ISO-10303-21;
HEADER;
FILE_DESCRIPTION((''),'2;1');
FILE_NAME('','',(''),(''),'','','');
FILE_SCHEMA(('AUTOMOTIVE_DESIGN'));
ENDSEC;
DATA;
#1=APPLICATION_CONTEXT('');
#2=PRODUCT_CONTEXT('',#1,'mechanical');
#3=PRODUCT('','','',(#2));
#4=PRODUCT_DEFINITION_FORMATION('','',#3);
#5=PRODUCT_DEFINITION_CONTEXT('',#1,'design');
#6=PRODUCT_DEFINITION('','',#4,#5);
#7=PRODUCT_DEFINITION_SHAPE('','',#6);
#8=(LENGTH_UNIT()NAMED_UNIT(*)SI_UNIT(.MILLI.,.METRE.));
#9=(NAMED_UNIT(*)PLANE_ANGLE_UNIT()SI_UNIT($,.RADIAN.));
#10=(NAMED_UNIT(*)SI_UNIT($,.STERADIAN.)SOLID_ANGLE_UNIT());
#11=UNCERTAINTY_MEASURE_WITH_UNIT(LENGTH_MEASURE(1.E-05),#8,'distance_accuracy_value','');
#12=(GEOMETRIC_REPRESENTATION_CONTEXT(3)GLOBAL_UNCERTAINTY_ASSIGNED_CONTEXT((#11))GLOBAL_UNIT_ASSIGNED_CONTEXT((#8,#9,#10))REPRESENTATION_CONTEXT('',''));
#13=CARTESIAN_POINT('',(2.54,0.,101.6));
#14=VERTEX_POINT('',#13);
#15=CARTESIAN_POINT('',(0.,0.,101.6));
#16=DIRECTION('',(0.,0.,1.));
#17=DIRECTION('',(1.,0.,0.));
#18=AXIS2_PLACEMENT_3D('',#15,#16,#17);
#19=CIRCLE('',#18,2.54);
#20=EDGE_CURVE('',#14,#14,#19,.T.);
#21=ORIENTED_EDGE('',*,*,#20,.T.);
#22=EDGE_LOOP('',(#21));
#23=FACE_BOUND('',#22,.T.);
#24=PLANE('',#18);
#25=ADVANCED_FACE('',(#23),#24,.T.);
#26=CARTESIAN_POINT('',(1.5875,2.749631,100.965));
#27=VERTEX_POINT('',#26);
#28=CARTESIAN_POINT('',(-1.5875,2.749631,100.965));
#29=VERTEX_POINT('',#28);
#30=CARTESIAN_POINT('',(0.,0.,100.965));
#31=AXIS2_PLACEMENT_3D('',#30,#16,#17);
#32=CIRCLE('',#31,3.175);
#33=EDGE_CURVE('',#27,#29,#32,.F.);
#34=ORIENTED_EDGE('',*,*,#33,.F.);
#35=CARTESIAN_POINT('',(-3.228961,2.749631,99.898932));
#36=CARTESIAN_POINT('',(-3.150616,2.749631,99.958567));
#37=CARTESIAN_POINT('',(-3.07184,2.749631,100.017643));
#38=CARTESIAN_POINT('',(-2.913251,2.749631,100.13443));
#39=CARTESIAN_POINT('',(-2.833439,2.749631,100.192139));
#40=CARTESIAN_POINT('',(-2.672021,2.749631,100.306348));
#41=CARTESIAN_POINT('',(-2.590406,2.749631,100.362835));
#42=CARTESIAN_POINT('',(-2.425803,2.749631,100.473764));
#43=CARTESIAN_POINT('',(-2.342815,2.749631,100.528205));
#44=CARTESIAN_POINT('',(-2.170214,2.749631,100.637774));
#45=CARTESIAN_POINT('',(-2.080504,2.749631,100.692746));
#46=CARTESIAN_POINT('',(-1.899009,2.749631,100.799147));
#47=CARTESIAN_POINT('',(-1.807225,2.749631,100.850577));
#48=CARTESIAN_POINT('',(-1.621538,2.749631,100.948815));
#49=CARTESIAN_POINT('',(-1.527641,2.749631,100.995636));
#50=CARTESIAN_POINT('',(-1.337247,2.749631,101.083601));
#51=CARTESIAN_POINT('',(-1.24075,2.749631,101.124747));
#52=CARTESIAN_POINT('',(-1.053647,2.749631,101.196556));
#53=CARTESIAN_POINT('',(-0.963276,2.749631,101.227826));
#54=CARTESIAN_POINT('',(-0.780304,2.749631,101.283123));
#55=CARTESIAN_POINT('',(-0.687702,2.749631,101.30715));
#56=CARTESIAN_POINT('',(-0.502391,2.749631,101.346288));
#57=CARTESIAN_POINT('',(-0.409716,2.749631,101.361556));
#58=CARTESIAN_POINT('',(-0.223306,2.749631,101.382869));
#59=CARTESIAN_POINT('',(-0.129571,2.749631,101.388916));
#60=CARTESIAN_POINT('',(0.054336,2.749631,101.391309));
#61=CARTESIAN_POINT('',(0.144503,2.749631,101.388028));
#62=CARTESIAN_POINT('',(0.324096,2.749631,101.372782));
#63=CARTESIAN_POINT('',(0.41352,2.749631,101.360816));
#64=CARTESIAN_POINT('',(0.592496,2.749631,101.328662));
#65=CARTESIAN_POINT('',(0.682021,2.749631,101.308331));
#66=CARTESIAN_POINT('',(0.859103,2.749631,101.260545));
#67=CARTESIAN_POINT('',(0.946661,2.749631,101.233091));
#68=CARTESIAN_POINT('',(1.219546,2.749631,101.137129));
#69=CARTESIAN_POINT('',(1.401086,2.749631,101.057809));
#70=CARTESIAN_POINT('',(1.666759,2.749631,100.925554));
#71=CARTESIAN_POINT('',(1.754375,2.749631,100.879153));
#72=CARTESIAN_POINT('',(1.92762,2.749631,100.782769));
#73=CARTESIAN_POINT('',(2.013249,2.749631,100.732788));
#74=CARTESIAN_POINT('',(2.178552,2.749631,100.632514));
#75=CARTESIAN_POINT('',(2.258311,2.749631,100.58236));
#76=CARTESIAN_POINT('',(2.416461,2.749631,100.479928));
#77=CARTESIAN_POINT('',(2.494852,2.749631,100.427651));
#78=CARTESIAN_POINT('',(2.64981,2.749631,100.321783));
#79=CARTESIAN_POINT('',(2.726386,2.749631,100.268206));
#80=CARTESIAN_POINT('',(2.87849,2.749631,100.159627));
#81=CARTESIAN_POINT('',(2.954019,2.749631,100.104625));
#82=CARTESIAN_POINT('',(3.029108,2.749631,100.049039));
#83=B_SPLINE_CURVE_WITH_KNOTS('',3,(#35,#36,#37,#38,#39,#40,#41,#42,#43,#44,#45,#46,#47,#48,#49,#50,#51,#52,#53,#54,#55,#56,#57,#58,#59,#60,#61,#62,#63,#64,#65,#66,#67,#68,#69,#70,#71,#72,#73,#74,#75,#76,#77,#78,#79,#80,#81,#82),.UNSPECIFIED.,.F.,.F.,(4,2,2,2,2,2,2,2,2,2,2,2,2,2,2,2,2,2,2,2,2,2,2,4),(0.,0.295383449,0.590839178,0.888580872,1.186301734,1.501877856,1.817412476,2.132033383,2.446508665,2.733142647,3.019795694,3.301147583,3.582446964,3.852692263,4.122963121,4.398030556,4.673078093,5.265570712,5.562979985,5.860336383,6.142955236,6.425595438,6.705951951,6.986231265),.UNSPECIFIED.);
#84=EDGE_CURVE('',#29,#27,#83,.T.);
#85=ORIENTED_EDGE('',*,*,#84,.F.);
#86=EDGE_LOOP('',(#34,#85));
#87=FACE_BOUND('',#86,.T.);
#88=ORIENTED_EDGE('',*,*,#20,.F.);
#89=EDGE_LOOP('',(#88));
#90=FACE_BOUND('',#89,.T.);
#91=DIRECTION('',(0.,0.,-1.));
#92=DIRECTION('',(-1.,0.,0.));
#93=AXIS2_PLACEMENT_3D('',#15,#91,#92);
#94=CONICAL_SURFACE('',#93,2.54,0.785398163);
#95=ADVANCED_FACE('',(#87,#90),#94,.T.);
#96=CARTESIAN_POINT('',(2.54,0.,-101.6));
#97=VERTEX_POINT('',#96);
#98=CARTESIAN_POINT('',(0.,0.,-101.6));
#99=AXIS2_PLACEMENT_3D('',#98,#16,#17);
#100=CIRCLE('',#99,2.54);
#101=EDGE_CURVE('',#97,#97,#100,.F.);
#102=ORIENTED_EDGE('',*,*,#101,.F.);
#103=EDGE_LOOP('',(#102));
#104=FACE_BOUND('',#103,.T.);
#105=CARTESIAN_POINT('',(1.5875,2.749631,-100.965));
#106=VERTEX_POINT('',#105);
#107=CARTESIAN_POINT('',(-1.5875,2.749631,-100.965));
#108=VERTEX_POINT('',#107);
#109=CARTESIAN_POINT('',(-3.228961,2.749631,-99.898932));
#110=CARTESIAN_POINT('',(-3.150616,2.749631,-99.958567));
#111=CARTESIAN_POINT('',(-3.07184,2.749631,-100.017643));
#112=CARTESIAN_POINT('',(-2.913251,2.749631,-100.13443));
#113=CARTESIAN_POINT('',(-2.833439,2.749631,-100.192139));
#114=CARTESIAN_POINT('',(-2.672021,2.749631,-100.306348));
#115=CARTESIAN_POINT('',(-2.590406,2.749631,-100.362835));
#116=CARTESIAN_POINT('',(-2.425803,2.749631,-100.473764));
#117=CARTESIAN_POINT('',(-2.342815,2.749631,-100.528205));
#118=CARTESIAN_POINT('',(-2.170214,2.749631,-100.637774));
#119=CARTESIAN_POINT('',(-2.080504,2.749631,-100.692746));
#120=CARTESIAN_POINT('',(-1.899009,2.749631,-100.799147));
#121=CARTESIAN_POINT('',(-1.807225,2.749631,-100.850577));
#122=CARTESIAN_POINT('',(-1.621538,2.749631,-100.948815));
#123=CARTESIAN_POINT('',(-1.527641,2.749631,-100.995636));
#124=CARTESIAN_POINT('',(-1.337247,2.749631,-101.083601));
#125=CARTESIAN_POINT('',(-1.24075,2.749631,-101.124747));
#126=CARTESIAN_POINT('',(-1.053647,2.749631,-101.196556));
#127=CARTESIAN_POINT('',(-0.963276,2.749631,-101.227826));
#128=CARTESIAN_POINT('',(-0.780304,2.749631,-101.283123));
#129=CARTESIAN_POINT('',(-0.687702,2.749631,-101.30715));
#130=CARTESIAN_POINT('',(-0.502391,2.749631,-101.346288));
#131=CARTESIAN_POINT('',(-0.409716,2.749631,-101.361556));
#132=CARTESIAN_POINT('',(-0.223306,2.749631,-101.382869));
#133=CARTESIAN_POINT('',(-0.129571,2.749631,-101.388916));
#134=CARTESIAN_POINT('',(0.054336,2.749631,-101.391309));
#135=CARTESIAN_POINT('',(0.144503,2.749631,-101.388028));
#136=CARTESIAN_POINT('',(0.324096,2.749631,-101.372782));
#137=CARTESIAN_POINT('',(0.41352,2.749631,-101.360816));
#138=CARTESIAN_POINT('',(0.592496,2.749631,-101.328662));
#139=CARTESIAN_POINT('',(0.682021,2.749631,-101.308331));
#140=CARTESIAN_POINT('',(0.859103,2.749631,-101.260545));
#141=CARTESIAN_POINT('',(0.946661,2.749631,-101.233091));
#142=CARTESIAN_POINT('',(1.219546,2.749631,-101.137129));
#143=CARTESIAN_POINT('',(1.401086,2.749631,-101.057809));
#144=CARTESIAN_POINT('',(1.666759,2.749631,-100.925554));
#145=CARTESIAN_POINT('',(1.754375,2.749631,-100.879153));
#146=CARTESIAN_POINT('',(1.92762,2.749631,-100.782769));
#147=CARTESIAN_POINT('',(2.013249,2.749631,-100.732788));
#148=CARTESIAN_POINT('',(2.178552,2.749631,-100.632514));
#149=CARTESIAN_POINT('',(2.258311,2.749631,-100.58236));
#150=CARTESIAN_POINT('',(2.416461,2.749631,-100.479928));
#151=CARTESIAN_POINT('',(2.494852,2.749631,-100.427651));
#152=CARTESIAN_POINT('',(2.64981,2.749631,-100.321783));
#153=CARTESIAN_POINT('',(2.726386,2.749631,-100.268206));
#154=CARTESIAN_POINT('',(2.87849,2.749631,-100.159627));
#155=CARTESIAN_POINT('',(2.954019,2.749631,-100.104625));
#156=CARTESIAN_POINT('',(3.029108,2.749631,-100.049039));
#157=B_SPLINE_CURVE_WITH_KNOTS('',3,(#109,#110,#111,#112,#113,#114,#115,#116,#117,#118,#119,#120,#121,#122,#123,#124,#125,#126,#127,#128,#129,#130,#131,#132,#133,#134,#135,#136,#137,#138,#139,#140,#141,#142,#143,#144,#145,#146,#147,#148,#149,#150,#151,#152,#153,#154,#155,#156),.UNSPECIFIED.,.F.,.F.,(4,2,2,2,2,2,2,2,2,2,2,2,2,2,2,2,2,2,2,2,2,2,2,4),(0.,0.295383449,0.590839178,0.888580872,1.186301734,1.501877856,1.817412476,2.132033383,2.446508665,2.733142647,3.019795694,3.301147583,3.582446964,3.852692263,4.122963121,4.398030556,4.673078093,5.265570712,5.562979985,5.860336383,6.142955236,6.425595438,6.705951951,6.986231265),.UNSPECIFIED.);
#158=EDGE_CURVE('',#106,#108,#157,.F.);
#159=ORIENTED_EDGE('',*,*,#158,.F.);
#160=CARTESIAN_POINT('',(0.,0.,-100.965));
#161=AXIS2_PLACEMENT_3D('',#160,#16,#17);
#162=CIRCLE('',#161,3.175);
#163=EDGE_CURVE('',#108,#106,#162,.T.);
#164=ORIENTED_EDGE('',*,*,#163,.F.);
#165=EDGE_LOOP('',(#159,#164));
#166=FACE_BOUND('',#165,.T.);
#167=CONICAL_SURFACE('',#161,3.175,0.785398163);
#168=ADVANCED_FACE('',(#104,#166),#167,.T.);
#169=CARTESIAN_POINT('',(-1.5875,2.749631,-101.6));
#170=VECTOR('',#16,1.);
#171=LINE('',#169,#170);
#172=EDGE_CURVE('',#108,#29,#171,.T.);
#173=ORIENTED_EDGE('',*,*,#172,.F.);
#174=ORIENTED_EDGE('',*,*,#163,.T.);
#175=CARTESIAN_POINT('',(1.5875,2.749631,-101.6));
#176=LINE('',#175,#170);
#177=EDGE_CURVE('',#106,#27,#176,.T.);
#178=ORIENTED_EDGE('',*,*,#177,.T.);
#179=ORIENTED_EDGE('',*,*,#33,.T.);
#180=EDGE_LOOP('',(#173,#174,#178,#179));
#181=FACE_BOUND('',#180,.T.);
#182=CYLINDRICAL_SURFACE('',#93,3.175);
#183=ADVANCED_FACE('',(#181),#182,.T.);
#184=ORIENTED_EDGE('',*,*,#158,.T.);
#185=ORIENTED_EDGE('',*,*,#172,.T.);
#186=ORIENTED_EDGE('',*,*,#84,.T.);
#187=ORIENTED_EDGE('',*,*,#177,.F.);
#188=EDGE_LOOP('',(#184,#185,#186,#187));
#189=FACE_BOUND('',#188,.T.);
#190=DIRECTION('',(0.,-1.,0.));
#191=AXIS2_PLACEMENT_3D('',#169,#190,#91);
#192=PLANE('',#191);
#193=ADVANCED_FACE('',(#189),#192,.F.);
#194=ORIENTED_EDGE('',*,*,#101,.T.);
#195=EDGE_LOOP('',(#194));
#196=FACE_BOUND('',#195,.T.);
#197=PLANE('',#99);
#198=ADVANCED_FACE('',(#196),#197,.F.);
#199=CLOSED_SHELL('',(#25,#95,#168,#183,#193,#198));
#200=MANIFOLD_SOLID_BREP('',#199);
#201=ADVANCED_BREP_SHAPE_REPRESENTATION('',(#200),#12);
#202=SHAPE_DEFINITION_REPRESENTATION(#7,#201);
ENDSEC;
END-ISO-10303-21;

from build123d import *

# Parameters (mm, degrees)
SKETCH1_R           = 3.175
EXTRUDE1_DEPTH      = 101.6
CHAMFER1_SIZE       = 0.635
EXTRUDE7_DEPTH      = 102.699170351
EXTRUDE7_DEPTH_BACK = 102.699170351


with BuildPart() as part:
    # Sketch1 → Extrude1 (new, symmetric)
    with BuildSketch(Plane.XY):
        Circle(SKETCH1_R)
    extrude(amount=EXTRUDE1_DEPTH, both=True)

    # Chamfer1
    chamfer1_edges = [part.edges().sort_by_distance(p)[0] for p in [
        (-3.175, 0, -101.6),
        (-3.175, 0, 101.6),
    ]]
    chamfer(chamfer1_edges, length=CHAMFER1_SIZE)

    # Sketch13 → Extrude7 (cut, two sides: drawn at the far end of the back side and taken through both)
    with BuildSketch(Plane.XY.offset(-EXTRUDE7_DEPTH_BACK)):
        with BuildLine():
            Line((-1.5875, 2.749630657), (1.5875, 2.749630657))
            ThreePointArc((1.5875, 2.749630657), (0, 3.175), (-1.5875, 2.749630657))
        make_face()
    extrude(amount=EXTRUDE7_DEPTH + EXTRUDE7_DEPTH_BACK, mode=Mode.SUBTRACT)


solid = part.part
